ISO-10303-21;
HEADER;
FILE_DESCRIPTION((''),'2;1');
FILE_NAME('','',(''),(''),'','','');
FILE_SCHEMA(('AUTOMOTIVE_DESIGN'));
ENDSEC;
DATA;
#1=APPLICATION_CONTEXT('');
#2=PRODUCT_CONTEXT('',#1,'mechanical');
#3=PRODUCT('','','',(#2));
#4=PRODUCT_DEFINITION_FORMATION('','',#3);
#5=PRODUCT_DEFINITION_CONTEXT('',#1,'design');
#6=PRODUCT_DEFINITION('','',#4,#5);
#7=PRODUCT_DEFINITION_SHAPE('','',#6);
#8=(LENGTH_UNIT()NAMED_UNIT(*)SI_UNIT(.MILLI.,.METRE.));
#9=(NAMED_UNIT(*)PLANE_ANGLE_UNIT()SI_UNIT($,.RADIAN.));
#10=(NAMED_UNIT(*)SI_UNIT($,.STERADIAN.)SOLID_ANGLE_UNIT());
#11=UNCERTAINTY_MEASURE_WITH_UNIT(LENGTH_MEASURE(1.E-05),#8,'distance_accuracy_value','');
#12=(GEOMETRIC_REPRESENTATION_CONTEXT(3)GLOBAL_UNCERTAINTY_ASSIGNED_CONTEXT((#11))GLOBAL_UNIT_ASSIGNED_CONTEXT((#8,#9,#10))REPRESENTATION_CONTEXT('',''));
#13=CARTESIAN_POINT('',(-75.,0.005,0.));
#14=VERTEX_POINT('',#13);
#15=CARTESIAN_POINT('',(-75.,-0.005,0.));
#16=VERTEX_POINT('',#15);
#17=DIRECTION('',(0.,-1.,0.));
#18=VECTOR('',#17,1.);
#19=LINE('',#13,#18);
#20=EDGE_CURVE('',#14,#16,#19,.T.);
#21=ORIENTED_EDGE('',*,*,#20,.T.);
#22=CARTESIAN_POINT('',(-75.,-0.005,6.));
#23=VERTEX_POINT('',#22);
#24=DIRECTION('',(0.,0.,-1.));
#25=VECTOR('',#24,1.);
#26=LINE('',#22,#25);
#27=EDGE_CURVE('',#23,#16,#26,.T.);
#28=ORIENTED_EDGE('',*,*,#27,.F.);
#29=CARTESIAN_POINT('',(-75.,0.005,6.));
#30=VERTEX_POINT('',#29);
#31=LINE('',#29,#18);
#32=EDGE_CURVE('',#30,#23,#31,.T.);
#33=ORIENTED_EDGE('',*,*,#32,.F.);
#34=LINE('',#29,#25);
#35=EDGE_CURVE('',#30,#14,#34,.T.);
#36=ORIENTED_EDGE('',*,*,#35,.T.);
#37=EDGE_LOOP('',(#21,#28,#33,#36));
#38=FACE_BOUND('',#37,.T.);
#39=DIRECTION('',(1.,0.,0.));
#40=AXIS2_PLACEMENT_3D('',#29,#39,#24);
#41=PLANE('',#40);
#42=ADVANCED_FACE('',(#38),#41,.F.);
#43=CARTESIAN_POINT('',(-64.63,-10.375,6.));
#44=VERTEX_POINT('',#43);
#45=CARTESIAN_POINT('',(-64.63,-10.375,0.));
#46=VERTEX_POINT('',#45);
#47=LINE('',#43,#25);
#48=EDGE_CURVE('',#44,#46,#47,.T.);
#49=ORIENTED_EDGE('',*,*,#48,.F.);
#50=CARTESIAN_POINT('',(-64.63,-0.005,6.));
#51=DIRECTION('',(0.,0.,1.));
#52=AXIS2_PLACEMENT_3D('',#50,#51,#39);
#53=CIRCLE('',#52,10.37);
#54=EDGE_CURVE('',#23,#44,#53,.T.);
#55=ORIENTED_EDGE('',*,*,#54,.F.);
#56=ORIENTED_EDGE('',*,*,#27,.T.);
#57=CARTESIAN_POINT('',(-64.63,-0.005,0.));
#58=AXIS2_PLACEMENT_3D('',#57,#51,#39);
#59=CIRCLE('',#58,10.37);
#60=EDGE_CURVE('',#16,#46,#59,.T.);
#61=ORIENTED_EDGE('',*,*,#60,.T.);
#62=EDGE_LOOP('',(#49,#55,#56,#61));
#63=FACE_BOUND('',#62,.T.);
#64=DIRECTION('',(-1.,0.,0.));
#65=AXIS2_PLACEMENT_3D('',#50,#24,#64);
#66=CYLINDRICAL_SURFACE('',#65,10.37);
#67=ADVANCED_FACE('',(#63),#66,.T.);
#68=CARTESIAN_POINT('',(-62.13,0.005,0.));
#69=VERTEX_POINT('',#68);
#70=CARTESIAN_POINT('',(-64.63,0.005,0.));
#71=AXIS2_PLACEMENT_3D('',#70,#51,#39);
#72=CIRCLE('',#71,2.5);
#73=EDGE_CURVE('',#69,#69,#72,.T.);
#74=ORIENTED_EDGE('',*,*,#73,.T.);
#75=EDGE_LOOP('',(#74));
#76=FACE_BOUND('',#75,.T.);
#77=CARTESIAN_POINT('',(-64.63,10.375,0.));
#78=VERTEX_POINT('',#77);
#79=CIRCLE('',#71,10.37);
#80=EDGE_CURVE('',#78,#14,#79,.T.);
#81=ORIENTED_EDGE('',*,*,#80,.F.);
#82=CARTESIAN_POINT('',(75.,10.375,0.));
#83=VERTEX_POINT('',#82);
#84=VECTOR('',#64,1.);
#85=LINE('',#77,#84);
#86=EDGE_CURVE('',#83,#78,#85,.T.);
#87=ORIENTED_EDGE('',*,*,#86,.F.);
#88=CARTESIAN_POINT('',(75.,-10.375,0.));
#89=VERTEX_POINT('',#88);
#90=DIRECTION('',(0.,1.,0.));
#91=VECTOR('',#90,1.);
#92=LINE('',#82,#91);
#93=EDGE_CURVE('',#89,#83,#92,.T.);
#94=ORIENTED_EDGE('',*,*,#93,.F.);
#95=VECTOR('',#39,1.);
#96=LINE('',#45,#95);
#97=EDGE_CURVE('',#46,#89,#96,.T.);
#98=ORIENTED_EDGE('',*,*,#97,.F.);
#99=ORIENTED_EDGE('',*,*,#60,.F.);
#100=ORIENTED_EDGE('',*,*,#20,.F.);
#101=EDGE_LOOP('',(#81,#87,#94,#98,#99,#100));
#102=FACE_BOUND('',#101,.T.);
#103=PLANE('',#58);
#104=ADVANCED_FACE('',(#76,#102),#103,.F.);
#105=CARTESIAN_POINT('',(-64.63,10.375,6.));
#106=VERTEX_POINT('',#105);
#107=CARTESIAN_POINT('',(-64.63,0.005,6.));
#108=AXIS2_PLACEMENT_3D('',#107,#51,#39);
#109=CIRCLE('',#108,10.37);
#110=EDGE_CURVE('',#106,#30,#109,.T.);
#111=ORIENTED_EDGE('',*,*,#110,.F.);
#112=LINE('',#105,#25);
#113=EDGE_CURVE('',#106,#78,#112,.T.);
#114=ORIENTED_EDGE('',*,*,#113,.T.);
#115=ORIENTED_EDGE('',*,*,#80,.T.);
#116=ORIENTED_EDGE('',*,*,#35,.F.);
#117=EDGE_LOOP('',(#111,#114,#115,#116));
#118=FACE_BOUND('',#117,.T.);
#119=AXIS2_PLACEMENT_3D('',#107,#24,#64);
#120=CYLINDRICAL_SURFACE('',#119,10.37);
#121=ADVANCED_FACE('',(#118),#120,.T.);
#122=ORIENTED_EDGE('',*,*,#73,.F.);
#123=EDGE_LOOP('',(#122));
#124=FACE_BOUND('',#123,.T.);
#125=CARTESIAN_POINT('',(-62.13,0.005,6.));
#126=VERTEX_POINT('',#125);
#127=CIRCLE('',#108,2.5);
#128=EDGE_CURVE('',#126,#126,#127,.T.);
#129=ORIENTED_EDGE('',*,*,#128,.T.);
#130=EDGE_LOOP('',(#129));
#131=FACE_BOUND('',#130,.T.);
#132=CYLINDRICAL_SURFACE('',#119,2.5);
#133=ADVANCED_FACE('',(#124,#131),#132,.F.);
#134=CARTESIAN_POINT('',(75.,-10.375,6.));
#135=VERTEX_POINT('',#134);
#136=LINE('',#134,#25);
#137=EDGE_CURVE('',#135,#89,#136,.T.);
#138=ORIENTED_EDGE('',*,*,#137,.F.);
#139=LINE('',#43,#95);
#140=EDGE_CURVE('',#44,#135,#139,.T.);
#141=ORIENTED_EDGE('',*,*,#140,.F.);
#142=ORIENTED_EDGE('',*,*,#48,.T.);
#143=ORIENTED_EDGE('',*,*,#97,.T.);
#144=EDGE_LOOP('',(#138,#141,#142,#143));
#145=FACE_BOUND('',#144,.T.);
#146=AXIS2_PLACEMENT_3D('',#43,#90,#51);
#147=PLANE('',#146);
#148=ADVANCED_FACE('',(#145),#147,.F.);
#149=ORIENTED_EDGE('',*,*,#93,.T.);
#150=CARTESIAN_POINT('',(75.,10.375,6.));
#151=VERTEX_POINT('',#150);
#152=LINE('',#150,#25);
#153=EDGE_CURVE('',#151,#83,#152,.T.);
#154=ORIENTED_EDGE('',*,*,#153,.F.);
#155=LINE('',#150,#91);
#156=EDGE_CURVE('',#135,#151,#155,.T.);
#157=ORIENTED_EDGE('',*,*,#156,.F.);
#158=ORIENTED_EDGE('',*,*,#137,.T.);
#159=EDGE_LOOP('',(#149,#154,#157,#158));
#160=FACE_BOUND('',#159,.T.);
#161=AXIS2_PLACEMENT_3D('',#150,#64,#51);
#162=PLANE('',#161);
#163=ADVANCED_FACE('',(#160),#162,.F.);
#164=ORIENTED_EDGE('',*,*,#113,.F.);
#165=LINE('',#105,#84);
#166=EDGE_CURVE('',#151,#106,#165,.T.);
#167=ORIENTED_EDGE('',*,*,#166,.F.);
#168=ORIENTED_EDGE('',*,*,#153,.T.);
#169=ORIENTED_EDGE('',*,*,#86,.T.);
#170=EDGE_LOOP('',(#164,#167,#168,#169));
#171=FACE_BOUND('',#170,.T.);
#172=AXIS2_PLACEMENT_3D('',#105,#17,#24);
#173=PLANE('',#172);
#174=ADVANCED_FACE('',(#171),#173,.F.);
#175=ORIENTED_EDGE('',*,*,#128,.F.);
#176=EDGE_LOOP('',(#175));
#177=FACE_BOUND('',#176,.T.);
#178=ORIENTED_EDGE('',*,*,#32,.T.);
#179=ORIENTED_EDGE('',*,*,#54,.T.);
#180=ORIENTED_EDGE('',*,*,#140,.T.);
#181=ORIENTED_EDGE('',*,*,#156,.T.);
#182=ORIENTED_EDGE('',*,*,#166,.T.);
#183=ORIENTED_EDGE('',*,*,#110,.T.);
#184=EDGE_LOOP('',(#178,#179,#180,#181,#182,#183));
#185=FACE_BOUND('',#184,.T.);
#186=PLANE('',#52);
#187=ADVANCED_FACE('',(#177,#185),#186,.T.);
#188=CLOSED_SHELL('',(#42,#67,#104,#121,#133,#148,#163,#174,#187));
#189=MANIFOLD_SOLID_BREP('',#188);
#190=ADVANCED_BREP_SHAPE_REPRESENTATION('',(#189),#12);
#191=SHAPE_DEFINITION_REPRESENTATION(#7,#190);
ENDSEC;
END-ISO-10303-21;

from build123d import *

# Parameters (mm, degrees)
SKETCH1_R           = 2.5
BOSS_EXTRUDE1_DEPTH = 6


with BuildPart() as part:
    # Sketch1 → Boss-Extrude1 (new body)
    with BuildSketch(Plane.XY):
        with BuildLine():
            Line((-64.63, 10.375), (75, 10.375))
            Line((75, 10.375), (75, -10.375))
            Line((75, -10.375), (-64.63, -10.375))
            ThreePointArc((-64.63, -10.375), (-71.962697321, -7.337697321), (-75, -0.005))
            Line((-75, -0.005), (-75, 0.005))
            ThreePointArc((-75, 0.005), (-71.962697321, 7.337697321), (-64.63, 10.375))
        make_face()
        with Locations((-64.63, 0.005)):
            Circle(SKETCH1_R, mode=Mode.SUBTRACT)
    extrude(amount=BOSS_EXTRUDE1_DEPTH)


solid = part.part
